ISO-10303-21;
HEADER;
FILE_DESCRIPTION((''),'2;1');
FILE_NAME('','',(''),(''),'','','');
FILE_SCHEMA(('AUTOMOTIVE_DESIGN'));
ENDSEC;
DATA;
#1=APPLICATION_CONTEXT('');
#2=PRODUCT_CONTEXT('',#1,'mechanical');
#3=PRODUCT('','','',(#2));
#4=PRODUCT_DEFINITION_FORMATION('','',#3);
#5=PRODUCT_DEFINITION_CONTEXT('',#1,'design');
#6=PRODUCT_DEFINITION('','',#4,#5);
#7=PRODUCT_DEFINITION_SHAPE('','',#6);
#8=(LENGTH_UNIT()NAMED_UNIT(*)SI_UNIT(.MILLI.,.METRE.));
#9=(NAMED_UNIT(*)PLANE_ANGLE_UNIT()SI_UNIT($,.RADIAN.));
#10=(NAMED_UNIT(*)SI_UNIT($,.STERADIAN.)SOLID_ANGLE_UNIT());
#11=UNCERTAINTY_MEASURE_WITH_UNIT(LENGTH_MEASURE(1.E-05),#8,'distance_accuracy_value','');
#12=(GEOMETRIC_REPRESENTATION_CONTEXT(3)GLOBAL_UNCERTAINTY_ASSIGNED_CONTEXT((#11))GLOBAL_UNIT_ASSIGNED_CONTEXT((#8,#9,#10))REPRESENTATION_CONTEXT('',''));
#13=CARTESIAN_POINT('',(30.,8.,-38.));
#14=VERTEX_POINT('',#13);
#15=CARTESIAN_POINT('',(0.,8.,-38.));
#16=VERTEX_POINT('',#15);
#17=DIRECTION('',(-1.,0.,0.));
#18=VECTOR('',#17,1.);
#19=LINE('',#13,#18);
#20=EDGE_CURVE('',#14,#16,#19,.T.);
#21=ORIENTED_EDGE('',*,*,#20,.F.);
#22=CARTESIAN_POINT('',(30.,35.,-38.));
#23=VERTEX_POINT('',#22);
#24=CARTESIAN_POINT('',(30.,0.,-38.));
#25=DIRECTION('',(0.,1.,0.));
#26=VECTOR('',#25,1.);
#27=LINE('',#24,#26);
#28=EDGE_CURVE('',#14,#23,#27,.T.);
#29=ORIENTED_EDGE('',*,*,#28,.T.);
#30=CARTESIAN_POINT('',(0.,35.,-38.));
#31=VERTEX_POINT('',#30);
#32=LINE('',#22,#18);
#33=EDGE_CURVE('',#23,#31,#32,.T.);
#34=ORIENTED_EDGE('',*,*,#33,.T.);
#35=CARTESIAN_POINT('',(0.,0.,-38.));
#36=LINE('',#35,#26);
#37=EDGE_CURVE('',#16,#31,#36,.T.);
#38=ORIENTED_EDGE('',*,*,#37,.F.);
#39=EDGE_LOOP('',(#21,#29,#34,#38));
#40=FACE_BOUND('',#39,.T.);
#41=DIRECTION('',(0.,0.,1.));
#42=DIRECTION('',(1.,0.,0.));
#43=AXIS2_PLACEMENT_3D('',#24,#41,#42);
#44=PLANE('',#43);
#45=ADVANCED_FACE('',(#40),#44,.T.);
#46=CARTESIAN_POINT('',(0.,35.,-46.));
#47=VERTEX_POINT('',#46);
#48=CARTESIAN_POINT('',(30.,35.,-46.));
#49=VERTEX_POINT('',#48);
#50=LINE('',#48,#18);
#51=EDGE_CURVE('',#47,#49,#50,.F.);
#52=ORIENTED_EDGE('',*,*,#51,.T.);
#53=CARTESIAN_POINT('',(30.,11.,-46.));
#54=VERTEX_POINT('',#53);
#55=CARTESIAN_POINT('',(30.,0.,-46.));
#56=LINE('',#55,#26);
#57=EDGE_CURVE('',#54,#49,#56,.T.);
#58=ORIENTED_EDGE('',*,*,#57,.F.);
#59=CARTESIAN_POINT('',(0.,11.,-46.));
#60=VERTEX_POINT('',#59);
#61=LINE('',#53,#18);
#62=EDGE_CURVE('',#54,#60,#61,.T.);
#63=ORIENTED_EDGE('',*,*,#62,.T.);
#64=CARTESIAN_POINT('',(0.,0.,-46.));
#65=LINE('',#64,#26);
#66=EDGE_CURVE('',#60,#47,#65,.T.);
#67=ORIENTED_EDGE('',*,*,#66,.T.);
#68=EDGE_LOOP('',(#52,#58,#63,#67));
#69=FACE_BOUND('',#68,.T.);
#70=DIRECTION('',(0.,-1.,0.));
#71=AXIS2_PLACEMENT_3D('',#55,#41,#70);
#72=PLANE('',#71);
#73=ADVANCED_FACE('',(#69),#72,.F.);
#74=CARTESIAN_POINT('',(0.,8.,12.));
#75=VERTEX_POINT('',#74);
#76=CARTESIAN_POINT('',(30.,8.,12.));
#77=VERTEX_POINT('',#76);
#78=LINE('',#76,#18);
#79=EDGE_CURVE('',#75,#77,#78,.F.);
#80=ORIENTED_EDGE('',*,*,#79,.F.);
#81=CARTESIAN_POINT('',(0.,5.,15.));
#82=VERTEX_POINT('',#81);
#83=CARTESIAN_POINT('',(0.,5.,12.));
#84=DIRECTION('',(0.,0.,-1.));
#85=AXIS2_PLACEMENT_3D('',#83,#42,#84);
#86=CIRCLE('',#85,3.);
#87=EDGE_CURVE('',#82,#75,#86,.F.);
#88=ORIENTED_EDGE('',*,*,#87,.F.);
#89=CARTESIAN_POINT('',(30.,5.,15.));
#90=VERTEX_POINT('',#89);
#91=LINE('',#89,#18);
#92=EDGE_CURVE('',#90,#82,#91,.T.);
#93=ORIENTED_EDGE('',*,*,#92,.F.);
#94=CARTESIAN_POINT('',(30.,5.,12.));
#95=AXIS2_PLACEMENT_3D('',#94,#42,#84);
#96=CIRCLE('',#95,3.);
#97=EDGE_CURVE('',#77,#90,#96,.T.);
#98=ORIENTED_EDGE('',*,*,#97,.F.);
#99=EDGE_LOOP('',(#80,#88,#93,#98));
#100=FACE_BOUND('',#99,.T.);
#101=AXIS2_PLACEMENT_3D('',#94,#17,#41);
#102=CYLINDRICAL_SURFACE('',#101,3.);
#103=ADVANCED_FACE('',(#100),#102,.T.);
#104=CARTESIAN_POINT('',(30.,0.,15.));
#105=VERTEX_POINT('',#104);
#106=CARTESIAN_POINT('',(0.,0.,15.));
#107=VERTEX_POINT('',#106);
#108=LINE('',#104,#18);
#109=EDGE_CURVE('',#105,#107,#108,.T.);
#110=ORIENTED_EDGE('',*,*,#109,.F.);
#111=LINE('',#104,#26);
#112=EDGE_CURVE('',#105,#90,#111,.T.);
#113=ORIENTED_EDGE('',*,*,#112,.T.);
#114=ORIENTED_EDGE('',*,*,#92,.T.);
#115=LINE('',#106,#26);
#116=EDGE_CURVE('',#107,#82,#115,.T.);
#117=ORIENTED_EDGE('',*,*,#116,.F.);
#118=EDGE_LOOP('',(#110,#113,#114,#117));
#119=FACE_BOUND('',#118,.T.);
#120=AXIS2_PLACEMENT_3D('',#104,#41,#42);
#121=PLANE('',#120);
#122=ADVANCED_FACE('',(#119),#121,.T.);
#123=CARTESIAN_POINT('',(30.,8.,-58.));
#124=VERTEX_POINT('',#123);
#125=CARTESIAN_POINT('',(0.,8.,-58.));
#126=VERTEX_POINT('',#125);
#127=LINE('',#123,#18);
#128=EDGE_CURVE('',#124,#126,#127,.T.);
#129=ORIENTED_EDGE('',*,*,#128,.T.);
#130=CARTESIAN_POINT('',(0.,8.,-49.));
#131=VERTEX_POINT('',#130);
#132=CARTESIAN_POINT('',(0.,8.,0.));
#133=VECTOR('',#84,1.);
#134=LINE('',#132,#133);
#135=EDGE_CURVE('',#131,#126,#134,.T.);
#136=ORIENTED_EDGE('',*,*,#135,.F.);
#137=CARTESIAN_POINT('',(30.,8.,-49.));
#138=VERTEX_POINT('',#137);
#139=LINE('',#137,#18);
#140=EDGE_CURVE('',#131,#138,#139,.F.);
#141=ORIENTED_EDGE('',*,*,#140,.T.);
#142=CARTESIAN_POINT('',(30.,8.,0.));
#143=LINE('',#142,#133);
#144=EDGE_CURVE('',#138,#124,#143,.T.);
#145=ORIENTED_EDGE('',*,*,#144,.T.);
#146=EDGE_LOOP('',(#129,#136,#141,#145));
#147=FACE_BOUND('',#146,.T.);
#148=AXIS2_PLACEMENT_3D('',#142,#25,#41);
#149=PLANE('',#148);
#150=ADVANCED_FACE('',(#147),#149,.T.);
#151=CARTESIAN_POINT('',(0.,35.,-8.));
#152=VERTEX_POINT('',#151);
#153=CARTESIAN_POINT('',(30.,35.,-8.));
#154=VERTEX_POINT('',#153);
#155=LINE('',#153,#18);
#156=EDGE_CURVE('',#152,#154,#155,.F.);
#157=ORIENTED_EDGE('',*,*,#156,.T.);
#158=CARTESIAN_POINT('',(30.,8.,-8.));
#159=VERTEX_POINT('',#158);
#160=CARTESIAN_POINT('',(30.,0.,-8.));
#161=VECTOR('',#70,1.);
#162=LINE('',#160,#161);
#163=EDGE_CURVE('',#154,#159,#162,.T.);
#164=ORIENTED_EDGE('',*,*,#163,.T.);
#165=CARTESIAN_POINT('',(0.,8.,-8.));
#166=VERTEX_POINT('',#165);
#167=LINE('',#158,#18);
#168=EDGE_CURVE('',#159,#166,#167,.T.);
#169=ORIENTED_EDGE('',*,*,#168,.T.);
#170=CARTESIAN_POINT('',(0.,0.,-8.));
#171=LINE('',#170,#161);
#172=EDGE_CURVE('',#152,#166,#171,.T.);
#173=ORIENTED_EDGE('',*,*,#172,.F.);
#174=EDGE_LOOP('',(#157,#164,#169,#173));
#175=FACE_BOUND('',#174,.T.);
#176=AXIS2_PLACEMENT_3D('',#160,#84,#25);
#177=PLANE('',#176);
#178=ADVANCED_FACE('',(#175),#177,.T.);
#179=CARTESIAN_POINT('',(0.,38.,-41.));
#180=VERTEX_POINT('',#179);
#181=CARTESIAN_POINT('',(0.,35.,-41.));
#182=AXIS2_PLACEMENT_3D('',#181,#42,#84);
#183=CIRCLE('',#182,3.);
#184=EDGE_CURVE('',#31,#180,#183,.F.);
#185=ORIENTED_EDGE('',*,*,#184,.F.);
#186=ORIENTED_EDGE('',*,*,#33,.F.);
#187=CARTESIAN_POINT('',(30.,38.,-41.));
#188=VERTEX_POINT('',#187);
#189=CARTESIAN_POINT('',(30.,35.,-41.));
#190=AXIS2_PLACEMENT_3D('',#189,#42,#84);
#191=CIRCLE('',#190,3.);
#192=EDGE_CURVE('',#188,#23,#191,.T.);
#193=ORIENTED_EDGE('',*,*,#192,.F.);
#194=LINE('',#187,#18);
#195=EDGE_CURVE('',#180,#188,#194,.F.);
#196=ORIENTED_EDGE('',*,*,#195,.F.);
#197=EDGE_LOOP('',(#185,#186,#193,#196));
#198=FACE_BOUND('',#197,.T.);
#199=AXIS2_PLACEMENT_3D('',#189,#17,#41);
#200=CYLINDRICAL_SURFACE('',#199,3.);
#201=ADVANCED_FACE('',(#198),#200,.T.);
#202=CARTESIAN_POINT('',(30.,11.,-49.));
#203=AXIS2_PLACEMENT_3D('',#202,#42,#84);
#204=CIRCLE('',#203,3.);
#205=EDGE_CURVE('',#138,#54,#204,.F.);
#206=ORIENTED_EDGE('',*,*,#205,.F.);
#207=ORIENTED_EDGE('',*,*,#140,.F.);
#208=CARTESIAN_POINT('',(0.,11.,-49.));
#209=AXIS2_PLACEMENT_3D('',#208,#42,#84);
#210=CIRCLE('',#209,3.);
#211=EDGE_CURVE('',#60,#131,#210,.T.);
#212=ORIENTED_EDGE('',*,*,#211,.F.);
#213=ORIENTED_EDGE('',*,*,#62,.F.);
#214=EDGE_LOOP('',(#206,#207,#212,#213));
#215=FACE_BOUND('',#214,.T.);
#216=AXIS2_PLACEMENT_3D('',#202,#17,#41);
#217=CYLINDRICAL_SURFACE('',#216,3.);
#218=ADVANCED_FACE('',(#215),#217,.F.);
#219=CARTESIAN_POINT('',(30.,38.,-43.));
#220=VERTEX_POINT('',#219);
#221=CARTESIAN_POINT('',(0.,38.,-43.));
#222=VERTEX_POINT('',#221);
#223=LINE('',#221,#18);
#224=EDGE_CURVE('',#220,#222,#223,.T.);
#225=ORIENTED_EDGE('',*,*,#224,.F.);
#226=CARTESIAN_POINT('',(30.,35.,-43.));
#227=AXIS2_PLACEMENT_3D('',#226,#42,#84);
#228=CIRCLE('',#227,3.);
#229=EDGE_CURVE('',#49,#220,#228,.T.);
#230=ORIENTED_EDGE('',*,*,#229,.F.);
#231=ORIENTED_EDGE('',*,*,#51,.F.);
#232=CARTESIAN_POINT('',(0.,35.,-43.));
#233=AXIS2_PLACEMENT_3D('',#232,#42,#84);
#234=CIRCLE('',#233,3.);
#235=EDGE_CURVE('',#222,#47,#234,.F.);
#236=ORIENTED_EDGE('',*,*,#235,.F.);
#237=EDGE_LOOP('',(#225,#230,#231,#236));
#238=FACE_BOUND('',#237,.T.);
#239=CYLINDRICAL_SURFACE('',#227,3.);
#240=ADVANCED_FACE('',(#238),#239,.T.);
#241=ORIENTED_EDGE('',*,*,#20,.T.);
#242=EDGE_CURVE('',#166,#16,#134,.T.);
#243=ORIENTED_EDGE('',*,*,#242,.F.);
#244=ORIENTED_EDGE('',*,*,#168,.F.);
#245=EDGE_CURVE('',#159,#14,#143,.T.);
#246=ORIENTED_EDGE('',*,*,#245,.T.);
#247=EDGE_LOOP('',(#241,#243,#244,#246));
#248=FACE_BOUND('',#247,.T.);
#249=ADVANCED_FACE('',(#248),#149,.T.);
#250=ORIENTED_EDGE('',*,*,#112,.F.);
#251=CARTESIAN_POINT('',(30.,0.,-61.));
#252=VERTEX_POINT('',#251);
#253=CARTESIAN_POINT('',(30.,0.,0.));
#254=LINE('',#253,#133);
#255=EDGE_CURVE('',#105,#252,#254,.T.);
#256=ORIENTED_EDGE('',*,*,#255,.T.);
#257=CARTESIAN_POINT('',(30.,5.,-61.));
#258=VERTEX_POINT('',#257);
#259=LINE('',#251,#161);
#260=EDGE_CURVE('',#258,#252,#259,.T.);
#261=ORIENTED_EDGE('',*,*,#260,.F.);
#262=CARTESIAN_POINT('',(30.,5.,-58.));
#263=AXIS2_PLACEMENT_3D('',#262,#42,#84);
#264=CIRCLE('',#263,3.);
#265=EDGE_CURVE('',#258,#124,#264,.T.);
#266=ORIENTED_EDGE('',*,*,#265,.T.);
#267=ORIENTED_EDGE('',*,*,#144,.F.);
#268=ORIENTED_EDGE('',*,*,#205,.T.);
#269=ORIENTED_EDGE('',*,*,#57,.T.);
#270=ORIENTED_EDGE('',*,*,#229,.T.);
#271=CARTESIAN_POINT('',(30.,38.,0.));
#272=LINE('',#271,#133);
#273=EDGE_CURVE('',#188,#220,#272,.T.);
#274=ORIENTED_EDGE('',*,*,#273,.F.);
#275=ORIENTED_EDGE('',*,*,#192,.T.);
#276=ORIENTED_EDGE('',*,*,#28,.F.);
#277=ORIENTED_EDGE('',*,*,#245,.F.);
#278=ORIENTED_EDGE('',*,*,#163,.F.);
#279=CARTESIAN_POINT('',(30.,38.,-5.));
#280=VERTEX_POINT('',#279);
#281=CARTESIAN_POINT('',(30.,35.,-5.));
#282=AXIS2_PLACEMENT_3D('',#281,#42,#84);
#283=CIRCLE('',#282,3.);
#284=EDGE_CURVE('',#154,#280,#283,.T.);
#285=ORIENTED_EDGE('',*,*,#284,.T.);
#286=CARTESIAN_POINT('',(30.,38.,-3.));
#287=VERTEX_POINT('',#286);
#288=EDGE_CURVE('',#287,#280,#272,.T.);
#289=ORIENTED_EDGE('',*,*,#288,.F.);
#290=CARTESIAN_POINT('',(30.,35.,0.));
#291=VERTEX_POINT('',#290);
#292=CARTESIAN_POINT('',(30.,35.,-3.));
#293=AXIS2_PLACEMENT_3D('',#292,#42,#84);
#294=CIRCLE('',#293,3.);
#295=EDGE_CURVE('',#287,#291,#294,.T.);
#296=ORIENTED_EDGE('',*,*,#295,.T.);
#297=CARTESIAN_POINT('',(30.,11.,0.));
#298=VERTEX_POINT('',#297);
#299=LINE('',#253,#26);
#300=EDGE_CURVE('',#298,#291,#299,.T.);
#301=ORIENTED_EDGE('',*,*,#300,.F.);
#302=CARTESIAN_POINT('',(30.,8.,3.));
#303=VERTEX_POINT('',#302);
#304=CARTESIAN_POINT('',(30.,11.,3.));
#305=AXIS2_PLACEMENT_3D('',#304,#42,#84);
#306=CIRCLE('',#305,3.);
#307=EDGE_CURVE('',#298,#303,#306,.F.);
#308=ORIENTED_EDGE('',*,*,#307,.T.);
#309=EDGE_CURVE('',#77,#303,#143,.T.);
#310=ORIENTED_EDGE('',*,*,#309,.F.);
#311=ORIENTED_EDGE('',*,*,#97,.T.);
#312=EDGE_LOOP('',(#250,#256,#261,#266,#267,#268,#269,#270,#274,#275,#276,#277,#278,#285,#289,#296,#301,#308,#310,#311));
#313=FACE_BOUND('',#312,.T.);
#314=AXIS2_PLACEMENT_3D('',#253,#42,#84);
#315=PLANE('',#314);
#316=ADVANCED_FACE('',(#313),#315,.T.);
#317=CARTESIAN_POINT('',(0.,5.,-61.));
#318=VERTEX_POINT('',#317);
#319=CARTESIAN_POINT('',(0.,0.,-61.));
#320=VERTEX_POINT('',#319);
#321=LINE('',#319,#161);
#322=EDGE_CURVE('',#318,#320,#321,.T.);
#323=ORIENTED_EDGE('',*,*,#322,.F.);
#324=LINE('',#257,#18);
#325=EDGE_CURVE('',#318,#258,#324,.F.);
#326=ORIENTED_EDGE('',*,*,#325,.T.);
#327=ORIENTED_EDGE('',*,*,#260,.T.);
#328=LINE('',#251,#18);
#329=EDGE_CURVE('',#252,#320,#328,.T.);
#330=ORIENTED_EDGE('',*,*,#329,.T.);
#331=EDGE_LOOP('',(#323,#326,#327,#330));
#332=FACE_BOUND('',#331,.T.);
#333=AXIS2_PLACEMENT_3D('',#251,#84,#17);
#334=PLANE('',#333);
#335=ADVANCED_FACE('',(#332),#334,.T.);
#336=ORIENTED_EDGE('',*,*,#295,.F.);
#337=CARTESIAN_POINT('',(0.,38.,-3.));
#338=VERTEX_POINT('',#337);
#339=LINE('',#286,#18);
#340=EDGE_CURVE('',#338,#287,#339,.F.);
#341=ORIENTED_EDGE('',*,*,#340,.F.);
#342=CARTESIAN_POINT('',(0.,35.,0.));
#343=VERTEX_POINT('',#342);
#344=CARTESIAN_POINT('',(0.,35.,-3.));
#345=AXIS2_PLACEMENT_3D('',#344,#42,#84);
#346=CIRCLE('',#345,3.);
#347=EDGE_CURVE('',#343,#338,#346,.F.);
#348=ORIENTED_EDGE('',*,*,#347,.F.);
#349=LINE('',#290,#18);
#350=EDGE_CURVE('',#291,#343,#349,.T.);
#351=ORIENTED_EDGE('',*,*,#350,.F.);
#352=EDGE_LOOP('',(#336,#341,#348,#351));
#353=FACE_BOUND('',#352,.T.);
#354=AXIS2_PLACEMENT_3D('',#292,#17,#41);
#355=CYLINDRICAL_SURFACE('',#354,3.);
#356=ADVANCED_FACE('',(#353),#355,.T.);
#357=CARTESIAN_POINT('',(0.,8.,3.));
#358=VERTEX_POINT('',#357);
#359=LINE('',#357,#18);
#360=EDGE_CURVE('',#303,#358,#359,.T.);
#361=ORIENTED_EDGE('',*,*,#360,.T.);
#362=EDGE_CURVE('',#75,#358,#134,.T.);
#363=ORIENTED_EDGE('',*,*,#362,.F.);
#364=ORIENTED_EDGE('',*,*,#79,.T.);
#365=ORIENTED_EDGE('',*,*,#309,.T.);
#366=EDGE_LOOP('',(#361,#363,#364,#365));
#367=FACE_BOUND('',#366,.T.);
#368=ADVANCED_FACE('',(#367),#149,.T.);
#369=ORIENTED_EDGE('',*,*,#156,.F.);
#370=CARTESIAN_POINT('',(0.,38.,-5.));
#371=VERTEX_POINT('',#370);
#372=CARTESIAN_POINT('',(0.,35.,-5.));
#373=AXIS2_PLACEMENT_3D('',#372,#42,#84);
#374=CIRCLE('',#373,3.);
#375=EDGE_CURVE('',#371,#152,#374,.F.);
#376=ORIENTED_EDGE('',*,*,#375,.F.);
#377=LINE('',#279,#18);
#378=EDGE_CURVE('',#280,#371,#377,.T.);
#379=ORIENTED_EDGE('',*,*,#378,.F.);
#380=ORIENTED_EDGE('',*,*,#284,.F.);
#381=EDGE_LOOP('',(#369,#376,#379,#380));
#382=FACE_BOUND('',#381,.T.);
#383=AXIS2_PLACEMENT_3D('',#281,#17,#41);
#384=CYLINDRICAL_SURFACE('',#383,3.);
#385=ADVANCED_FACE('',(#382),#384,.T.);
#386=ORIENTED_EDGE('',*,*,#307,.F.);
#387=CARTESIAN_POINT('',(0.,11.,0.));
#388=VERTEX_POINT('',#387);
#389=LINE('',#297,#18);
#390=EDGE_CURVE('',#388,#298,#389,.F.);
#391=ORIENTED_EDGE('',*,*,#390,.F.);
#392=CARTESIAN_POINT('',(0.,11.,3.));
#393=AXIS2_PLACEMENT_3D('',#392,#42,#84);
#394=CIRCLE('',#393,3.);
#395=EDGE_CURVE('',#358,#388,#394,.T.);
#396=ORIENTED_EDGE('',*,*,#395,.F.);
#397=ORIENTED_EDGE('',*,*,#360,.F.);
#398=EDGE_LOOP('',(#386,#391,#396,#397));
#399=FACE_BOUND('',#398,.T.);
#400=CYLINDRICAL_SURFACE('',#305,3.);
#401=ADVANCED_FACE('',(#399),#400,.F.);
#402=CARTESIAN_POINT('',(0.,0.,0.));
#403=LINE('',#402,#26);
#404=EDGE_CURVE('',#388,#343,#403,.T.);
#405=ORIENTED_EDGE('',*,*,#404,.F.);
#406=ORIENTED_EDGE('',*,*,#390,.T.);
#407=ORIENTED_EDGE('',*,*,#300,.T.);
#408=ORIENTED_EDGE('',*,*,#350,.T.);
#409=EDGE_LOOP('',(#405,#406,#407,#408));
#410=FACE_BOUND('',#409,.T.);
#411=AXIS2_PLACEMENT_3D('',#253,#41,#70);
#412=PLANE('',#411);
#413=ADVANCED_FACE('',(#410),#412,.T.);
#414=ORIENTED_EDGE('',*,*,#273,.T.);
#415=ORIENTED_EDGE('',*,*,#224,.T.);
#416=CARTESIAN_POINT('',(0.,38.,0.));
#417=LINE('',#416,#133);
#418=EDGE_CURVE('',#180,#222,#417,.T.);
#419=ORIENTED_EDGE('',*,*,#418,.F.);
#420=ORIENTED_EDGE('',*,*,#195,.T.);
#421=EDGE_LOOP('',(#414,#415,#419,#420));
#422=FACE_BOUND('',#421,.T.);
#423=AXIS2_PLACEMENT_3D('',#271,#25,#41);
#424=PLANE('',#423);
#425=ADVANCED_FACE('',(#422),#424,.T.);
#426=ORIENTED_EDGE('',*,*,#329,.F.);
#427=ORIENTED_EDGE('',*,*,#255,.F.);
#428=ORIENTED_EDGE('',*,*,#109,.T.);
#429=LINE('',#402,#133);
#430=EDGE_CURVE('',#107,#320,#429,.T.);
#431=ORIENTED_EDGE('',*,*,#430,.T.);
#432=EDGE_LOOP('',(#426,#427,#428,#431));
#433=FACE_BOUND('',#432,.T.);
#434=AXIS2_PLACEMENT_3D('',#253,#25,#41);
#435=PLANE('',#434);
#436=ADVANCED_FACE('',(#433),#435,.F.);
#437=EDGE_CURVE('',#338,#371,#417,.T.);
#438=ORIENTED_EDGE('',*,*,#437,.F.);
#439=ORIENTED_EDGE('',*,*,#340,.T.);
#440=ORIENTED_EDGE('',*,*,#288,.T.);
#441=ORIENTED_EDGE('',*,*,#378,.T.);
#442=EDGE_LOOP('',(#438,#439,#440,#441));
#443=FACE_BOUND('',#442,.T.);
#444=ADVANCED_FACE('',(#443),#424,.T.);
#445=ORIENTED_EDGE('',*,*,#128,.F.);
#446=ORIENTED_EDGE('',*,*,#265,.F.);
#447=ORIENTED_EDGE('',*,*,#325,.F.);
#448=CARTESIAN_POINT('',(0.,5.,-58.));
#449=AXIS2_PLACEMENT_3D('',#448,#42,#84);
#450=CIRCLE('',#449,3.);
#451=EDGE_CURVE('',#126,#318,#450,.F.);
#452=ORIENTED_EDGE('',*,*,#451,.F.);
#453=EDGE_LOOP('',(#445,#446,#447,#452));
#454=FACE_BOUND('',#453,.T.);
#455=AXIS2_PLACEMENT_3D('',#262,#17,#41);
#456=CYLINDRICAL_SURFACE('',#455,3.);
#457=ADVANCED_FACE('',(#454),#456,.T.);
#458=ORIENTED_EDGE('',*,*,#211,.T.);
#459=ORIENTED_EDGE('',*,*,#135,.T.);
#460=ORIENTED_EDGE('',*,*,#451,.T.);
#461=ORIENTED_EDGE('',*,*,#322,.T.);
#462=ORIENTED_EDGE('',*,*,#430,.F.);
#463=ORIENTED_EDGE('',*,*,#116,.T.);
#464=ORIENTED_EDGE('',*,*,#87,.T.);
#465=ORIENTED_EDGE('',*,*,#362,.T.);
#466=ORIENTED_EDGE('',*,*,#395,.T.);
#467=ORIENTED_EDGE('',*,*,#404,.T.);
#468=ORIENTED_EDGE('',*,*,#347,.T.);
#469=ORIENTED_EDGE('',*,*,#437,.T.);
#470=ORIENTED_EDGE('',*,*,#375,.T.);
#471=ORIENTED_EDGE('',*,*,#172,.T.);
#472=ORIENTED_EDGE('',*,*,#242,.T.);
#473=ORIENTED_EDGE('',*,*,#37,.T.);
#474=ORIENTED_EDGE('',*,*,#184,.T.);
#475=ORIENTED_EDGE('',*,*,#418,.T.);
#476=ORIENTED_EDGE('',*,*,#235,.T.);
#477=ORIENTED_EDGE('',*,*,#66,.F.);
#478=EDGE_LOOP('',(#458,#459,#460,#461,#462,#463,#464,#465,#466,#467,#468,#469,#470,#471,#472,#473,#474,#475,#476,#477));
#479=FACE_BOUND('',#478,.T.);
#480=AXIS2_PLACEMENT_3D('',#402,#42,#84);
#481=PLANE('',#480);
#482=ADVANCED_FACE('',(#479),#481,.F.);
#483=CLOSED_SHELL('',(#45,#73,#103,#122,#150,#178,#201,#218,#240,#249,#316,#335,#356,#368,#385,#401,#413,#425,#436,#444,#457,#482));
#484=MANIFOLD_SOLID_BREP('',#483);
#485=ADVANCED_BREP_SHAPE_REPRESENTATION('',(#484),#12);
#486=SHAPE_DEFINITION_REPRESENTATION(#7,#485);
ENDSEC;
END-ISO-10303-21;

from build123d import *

# Parameters (mm, degrees)
BOSS_EXTRUDE2_DEPTH = 30
FILLET1_R           = 3


with BuildPart() as part:
    # Sketch1 → Boss-Extrude2 (new body)
    with BuildSketch(Plane(origin=(0, 0, 0), x_dir=(0, 0, -1), z_dir=(1, 0, 0))):
        Polygon((0, 8), (0, 38), (8, 38), (8, 8), (38, 8), (38, 38), (46, 38), (46, 8), (61, 8), (61, 0), (-15, 0), (-15, 8), align=None)
    extrude(amount=BOSS_EXTRUDE2_DEPTH)

    # Fillet1
    fillet1_edges = [part.edges().sort_by_distance(p)[0] for p in [
        (15, 8, 15),
        (15, 8, 0),
        (15, 38, 0),
        (15, 38, -8),
        (15, 38, -38),
        (15, 38, -46),
        (15, 8, -46),
        (15, 8, -61),
    ]]
    fillet(fillet1_edges, radius=FILLET1_R)


solid = part.part
